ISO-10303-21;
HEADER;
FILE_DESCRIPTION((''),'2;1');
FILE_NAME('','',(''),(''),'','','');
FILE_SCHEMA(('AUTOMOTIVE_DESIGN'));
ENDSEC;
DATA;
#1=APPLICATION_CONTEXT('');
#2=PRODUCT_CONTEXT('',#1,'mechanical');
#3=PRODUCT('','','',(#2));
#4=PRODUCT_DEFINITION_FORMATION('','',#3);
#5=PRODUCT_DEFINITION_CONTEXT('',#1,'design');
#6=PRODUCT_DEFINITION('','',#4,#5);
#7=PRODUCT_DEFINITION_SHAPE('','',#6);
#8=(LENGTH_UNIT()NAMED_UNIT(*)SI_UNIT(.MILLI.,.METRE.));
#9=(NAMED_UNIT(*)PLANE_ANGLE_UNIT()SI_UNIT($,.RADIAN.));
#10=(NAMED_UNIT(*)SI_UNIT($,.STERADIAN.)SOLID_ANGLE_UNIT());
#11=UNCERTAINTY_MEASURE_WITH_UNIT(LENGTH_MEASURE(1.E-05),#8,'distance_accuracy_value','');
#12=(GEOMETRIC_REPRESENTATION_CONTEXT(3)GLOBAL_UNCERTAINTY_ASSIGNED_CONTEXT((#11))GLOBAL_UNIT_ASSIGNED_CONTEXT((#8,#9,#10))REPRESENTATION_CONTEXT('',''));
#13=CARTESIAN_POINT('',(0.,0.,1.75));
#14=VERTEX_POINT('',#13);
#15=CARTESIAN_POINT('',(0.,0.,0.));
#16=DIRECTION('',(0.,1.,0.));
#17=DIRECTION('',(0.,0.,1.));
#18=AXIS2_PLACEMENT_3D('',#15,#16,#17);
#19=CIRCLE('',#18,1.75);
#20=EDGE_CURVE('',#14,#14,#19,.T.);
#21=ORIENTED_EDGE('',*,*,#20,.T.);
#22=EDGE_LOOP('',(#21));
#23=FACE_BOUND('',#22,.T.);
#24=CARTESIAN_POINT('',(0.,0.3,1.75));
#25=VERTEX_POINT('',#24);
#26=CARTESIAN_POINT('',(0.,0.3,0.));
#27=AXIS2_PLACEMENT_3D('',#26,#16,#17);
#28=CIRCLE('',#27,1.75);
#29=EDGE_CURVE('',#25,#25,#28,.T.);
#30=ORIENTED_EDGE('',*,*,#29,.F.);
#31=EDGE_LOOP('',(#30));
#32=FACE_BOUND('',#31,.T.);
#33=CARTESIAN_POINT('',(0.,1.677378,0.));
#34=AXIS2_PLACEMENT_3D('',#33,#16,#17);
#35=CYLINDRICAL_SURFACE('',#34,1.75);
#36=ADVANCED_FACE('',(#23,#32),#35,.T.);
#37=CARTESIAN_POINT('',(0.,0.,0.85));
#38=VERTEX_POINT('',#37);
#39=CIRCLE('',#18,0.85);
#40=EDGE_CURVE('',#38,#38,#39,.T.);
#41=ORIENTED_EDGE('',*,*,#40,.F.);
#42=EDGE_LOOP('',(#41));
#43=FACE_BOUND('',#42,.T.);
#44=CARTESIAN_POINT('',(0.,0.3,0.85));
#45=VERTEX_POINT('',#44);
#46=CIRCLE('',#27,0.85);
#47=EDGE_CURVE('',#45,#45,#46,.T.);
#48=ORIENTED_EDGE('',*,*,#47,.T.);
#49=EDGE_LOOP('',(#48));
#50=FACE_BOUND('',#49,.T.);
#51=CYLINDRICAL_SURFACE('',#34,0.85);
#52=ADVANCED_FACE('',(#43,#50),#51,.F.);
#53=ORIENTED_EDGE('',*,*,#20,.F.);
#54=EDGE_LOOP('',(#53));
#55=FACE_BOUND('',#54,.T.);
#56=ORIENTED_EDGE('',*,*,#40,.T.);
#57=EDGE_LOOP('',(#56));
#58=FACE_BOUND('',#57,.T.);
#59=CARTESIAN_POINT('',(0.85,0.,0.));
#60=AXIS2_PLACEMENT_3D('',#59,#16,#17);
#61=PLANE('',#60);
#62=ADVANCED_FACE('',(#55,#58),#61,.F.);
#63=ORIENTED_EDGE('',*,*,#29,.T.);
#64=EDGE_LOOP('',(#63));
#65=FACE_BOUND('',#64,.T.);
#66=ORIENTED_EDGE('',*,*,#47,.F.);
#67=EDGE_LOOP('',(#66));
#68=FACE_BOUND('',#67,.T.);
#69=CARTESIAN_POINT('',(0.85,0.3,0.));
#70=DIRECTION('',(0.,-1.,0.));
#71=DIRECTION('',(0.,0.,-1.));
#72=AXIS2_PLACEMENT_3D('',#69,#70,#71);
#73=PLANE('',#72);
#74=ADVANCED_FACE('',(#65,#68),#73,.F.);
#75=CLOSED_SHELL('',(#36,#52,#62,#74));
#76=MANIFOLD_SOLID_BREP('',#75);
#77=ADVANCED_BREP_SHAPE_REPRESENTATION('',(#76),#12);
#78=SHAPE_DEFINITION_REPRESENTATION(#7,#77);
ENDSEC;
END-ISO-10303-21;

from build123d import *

# Parameters (mm, degrees)
SKETCH1_W = 0.9
SKETCH1_H = 0.3


with BuildPart() as part:
    # Sketch1 → Revolve1 (revolve)
    with BuildSketch(Plane.XY, mode=Mode.PRIVATE) as revolve1_sk:
        with Locations((1.3, 0.15)):
            Rectangle(SKETCH1_W, SKETCH1_H)
    revolve(revolve1_sk.sketch.rotate(Axis((0, 1.67737833, 0), (0, -1, 0)), 90), axis=Axis((0, 1.67737833, 0), (0, -1, 0)))


solid = part.part
